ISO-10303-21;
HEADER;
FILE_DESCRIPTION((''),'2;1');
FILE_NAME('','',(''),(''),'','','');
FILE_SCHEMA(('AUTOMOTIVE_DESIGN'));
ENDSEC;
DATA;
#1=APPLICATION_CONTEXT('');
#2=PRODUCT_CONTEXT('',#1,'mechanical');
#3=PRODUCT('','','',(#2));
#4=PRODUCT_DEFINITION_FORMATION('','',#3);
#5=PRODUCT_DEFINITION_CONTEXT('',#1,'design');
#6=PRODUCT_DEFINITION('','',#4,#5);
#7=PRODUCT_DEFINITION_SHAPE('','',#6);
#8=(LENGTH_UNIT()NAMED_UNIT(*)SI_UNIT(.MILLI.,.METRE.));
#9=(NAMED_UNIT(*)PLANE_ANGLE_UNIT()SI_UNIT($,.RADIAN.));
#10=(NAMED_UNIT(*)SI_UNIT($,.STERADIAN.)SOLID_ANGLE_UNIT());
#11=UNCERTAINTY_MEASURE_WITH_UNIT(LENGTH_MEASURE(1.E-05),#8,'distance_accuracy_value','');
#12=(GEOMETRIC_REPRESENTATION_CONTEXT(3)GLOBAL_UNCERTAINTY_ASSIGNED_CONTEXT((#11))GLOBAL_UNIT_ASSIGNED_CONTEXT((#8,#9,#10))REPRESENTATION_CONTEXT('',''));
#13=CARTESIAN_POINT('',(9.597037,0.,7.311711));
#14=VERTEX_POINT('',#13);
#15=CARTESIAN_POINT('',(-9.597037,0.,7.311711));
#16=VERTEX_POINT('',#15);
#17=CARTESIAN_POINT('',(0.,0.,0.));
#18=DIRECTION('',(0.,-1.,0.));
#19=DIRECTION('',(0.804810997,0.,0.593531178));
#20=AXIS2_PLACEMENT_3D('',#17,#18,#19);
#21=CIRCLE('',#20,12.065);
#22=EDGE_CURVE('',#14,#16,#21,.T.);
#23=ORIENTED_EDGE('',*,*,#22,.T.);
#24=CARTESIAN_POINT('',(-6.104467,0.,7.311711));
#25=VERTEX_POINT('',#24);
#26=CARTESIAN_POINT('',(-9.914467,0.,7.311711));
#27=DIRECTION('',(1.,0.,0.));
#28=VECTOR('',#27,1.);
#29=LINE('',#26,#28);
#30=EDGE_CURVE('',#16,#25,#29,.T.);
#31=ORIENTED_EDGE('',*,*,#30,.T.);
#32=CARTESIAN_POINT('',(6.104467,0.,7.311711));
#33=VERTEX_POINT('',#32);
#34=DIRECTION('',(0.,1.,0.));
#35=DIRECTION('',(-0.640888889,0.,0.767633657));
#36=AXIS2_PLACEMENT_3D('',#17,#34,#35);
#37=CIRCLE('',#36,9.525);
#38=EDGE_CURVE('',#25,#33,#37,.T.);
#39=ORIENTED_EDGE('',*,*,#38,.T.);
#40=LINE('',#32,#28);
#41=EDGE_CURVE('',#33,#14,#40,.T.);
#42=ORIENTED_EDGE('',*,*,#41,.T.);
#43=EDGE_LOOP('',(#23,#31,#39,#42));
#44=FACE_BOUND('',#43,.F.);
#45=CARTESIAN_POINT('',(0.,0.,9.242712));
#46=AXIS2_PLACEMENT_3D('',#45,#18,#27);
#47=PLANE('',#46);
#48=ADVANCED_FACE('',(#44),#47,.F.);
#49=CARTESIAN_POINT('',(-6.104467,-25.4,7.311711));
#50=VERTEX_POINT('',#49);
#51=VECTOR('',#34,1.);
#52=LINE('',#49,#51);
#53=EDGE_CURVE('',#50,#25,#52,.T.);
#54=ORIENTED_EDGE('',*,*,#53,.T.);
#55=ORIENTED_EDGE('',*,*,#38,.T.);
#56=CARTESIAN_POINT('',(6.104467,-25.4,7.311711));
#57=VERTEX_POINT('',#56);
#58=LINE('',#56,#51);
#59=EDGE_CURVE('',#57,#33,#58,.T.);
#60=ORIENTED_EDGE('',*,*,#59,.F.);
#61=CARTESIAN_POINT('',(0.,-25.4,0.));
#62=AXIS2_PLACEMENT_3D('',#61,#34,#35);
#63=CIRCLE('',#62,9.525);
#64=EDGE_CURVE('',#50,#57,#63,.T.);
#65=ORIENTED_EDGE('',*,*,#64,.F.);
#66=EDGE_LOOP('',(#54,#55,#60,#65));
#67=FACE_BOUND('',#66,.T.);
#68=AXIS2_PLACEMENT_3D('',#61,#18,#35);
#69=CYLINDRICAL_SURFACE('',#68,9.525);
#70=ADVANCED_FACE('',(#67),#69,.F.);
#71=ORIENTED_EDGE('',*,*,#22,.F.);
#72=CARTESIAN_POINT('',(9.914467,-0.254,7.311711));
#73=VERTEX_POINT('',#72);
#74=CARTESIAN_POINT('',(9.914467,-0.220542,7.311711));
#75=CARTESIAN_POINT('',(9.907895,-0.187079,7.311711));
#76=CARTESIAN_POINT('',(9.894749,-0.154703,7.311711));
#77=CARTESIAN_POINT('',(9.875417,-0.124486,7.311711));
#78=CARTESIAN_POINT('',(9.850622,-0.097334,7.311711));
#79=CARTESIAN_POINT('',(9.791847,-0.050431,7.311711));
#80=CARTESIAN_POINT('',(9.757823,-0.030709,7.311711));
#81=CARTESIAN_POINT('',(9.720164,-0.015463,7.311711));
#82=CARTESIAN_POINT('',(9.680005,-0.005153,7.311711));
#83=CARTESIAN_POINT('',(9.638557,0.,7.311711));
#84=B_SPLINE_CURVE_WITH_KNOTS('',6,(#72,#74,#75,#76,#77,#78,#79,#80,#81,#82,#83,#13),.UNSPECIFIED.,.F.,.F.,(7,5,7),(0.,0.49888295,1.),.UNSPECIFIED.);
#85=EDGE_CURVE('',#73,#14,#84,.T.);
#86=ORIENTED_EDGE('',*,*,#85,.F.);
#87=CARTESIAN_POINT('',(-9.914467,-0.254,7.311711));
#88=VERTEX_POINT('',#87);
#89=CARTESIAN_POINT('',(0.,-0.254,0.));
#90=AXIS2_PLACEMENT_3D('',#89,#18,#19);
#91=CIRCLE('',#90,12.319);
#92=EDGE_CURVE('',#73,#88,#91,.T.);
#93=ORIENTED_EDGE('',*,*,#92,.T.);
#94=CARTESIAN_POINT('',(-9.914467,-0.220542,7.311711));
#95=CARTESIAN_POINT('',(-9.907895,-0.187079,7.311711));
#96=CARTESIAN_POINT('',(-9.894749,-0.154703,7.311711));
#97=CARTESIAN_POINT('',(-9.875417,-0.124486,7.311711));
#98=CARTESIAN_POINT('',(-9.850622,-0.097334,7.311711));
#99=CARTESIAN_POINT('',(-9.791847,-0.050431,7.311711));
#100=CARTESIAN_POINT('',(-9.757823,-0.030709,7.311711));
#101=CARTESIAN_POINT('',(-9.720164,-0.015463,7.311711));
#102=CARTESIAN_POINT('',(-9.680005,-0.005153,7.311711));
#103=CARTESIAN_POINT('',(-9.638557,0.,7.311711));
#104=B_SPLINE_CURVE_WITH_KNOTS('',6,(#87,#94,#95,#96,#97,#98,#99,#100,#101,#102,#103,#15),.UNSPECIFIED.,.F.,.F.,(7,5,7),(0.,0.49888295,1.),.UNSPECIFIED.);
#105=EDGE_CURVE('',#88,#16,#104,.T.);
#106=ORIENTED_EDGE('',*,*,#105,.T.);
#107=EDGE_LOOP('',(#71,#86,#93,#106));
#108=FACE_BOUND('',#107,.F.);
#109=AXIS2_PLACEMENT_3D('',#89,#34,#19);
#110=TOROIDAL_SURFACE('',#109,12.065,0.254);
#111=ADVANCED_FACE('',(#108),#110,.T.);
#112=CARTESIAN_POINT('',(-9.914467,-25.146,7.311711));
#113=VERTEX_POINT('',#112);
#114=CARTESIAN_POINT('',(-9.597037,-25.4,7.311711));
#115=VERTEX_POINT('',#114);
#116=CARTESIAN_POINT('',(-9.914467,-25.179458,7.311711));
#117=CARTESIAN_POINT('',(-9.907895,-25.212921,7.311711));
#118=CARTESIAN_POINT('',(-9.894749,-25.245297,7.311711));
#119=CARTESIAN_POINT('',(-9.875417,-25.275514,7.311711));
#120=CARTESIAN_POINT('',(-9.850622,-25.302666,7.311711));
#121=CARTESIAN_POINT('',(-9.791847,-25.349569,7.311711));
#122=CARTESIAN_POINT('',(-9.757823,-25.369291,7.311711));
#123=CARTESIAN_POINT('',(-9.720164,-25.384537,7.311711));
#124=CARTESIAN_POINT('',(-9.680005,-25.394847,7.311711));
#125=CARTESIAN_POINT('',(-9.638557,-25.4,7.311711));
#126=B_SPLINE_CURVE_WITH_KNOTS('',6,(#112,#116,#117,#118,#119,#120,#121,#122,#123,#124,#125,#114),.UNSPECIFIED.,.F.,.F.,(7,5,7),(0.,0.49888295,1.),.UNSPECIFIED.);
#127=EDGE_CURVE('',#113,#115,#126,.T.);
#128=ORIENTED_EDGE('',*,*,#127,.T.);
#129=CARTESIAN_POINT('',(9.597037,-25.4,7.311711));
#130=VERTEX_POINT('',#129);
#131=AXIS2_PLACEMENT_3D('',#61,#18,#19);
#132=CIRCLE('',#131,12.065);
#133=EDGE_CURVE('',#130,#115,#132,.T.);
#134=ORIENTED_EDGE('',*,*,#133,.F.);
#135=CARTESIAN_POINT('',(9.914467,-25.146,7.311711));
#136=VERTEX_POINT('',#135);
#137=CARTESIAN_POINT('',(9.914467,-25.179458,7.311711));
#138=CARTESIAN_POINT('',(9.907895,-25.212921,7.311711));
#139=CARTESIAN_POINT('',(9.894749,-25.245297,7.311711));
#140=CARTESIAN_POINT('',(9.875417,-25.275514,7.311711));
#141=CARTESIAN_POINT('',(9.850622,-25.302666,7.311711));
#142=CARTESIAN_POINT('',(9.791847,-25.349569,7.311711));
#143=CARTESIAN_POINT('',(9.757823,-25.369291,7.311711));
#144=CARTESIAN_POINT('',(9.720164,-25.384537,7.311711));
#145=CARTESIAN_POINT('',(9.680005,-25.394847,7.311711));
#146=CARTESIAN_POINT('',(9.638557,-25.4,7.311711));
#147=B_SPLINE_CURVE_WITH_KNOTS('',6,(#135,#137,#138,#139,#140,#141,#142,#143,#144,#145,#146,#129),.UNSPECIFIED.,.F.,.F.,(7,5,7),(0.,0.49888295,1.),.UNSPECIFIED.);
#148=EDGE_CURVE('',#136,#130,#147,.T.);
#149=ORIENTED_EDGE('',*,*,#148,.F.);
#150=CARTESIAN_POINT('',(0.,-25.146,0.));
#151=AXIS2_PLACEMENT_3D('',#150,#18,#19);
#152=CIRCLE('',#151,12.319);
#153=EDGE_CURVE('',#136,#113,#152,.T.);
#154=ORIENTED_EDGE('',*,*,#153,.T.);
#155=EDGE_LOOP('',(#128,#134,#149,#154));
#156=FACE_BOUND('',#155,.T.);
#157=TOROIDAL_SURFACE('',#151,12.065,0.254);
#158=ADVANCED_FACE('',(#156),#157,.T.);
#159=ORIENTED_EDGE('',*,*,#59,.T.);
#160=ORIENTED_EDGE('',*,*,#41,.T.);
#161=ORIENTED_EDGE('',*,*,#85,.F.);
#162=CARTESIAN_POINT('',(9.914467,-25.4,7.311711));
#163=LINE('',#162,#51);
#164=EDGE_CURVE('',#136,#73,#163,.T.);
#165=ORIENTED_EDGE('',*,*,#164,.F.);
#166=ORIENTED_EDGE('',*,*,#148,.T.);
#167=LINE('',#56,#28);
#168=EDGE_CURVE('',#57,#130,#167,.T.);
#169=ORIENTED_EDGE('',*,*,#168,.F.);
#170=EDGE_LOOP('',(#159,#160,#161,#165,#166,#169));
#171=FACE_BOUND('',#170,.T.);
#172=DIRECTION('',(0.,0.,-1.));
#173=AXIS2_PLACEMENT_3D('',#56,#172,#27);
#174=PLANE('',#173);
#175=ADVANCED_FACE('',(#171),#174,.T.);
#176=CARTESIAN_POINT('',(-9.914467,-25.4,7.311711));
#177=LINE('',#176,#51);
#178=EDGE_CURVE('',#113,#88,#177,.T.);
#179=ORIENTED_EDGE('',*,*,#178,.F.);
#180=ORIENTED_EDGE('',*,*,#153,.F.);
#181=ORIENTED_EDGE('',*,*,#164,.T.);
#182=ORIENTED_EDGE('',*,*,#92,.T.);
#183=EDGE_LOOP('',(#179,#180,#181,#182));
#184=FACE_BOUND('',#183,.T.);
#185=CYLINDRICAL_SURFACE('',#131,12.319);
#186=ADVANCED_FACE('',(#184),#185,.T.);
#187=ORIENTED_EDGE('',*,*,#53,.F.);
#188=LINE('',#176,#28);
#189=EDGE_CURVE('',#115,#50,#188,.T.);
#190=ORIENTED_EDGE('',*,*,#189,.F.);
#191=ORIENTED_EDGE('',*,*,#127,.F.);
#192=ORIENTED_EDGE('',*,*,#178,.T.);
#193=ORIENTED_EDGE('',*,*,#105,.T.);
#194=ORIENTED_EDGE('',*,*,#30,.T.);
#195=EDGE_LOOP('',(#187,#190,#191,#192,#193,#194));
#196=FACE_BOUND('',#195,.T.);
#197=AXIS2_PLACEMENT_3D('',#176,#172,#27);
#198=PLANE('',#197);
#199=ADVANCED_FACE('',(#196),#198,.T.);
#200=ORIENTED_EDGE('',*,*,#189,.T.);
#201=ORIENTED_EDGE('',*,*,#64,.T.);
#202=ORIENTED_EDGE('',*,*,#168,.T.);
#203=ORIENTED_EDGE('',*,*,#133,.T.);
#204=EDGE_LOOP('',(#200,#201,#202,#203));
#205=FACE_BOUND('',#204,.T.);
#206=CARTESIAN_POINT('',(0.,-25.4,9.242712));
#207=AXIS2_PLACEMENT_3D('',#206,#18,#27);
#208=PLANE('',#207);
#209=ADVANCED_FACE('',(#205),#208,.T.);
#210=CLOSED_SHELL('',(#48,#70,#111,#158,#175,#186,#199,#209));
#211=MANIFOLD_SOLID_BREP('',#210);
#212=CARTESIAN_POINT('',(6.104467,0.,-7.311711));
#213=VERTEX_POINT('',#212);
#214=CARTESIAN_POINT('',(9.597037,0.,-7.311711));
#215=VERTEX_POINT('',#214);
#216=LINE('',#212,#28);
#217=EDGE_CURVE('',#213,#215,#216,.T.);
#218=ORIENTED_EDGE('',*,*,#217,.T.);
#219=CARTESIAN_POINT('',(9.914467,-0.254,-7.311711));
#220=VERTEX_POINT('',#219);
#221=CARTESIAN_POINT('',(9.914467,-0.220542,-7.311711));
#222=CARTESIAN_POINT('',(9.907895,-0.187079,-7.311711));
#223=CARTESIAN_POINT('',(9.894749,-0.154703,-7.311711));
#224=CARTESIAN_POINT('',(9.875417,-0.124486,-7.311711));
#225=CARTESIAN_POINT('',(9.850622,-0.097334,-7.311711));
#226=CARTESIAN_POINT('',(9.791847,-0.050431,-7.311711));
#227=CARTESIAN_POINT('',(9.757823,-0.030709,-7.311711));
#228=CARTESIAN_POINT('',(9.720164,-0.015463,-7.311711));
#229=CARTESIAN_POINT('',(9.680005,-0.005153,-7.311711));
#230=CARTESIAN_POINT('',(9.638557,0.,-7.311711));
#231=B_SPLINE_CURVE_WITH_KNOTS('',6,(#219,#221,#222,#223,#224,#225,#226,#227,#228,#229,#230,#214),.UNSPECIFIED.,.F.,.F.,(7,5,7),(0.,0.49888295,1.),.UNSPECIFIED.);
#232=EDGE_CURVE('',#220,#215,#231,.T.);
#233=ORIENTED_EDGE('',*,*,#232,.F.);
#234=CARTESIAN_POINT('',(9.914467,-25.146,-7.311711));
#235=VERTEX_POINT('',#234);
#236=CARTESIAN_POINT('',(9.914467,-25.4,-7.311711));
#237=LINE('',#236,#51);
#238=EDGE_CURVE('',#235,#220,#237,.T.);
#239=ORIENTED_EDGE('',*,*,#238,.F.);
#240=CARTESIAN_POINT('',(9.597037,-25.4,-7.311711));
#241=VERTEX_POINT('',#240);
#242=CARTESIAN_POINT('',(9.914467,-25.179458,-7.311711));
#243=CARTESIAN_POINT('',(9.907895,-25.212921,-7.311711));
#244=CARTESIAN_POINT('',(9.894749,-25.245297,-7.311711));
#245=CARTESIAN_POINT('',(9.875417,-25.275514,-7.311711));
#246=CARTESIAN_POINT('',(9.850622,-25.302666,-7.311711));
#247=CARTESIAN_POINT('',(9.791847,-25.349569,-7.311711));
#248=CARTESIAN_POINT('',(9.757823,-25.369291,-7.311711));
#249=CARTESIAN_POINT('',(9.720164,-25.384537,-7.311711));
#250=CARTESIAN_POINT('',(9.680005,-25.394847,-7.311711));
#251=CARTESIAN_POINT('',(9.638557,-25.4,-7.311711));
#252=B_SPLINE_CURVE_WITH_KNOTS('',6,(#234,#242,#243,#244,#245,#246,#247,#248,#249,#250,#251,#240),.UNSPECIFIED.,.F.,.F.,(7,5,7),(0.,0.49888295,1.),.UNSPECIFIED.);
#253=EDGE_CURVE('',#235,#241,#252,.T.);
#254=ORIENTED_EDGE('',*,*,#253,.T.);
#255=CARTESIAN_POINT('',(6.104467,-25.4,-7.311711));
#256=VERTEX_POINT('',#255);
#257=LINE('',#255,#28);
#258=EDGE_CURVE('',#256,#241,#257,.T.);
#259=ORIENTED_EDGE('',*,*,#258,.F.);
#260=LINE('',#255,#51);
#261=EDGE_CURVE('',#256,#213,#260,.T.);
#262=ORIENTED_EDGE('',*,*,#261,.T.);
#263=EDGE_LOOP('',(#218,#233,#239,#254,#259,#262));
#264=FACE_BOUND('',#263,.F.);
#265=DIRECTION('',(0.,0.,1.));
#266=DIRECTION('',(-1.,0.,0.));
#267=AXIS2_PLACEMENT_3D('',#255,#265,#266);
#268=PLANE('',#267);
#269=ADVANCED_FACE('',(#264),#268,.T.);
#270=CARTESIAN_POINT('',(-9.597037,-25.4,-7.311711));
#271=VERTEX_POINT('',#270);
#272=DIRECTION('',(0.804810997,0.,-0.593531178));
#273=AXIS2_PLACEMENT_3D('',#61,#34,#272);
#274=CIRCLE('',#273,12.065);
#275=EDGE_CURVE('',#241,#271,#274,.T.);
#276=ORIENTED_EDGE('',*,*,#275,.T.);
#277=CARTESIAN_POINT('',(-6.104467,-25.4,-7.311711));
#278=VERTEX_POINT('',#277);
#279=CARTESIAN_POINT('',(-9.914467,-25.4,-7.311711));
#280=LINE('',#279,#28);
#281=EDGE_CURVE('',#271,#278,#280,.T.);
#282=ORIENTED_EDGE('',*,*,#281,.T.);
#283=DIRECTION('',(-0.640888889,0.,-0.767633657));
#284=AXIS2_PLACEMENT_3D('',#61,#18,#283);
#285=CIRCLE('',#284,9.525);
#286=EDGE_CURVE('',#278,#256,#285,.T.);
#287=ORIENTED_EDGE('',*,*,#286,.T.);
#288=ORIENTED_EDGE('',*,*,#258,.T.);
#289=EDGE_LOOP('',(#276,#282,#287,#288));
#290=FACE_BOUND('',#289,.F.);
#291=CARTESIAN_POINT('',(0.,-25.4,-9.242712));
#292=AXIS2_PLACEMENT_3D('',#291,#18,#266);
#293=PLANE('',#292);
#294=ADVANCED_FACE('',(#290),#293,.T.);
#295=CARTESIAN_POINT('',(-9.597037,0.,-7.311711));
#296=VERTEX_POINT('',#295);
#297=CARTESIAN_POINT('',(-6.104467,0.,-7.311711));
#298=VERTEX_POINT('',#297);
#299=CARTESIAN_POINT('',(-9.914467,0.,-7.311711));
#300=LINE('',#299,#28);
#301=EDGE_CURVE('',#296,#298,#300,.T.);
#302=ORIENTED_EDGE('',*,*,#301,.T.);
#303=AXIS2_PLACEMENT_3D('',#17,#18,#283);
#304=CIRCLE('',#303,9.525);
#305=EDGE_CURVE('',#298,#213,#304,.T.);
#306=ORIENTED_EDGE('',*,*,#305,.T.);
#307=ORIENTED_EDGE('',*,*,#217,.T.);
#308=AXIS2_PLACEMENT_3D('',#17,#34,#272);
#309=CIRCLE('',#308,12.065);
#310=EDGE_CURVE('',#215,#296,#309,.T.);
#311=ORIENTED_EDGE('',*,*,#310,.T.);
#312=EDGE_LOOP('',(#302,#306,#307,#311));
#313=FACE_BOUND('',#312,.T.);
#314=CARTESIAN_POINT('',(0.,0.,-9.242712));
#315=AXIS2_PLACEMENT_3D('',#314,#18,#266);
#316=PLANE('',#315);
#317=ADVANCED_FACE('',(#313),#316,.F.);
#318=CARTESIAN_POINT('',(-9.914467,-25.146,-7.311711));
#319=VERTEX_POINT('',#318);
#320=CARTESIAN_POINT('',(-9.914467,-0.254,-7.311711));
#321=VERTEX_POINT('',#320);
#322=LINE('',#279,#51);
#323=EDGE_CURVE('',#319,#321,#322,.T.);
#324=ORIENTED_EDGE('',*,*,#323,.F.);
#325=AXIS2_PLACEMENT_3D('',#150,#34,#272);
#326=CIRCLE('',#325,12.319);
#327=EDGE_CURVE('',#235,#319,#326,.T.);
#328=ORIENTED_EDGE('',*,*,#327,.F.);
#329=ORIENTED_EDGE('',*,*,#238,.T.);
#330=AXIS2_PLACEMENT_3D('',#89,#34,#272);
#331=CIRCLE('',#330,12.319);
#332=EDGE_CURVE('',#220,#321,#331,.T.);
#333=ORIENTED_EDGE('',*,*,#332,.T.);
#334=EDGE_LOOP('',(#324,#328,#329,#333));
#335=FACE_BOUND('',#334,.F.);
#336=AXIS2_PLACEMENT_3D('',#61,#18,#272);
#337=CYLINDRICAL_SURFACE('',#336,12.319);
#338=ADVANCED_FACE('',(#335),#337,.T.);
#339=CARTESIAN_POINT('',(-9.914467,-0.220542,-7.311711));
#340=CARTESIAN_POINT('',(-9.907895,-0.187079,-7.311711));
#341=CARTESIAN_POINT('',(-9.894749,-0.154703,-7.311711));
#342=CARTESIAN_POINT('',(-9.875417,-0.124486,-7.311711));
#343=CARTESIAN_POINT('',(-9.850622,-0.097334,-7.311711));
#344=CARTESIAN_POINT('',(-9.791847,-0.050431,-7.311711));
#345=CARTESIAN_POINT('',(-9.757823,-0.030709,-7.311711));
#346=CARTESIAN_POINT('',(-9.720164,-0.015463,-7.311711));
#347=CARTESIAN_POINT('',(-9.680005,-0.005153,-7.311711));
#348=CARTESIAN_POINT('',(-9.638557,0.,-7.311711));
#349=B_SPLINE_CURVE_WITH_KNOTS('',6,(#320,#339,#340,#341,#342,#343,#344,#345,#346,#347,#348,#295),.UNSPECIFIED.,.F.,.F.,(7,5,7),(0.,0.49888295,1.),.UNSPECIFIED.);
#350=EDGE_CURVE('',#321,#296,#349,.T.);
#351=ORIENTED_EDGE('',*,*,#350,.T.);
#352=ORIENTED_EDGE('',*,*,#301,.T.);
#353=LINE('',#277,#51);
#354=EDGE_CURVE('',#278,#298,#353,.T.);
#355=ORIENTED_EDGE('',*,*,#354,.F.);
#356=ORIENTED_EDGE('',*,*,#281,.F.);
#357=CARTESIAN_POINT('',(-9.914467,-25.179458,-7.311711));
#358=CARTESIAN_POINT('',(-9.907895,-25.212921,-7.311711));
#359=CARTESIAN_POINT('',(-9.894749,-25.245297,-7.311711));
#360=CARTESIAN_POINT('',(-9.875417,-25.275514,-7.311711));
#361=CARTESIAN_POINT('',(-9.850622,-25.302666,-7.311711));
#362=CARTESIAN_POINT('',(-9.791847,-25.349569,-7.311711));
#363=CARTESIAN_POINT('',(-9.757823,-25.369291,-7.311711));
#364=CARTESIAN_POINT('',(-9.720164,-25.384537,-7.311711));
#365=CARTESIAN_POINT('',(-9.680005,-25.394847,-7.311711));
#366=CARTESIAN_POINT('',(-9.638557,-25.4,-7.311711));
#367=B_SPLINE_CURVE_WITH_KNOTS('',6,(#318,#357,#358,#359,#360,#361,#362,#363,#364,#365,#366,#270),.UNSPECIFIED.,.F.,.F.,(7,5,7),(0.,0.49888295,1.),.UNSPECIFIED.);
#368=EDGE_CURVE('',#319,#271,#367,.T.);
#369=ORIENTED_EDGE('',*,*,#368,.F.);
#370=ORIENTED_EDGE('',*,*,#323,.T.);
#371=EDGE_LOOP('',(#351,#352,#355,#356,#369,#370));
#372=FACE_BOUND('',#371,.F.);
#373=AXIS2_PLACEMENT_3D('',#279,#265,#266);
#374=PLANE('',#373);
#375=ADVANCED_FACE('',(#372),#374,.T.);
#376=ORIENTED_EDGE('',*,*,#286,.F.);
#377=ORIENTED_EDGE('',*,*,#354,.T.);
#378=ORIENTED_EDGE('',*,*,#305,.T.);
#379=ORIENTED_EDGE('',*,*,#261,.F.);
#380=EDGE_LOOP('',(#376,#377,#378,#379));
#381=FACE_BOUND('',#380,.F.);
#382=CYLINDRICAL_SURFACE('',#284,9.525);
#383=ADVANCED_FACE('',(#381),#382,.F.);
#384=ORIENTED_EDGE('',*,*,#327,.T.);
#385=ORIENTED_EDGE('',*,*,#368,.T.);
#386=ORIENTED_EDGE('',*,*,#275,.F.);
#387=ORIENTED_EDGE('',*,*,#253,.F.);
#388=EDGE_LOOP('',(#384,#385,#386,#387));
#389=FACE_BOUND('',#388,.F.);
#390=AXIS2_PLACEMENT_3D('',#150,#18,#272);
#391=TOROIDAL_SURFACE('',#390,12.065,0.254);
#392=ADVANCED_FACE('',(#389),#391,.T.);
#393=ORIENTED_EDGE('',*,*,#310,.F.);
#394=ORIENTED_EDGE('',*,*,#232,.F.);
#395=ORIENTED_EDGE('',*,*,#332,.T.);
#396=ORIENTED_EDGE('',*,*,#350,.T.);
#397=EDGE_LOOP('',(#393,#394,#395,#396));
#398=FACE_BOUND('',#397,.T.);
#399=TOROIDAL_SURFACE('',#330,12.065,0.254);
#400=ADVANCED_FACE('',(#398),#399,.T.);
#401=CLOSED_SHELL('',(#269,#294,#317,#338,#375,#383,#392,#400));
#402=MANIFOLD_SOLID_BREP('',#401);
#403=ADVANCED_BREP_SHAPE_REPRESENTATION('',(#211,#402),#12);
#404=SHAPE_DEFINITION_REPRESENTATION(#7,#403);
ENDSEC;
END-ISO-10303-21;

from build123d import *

# Parameters (mm, degrees)
F0_R     = 12.319
F1_DEPTH = 25.4
F3_DEPTH = 25.4
F5_R     = 0.254
F5_2_R   = 0.254


with BuildPart() as f1:
    # F0 (on Front) → F1 (new body)
    with BuildSketch(Plane.XZ):
        Circle(F0_R)
    extrude(amount=F1_DEPTH)

    # F2 (on face) → F3 (intersect)
    with BuildSketch(Plane.XZ.offset(25.4)):
        with BuildLine():
            Line((6.1044666667, 7.3117105875), (9.9144666667, 7.3117105875))
            ThreePointArc((9.9144666667, 7.3117105875), (0, 12.319), (-9.9144666667, 7.3117105875))
            Line((-9.9144666667, 7.3117105875), (-6.1044666667, 7.3117105875))
            ThreePointArc((-6.1044666667, 7.3117105875), (0, 9.525), (6.1044666667, 7.3117105875))
        make_face()
    extrude(amount=-F3_DEPTH, mode=Mode.INTERSECT)


with BuildPart() as f4_1:
    # F4: instance of F1
    add(f1.part.mirror(Plane.XY))

    # F5#2
    f5_2_edges = [f4_1.edges().sort_by_distance(p)[0] for p in [
        (0, -25.4, -12.319),
        (0, 0, -12.319),
    ]]
    fillet(f5_2_edges, radius=F5_2_R)


with BuildPart() as f1_1:
    add(f1.part)

    # F5
    f5_edges = [f1_1.edges().sort_by_distance(p)[0] for p in [
        (0, -25.4, 12.319),
        (0, 0, 12.319),
    ]]
    fillet(f5_edges, radius=F5_R)


solid = Compound([f4_1.part, f1_1.part])
